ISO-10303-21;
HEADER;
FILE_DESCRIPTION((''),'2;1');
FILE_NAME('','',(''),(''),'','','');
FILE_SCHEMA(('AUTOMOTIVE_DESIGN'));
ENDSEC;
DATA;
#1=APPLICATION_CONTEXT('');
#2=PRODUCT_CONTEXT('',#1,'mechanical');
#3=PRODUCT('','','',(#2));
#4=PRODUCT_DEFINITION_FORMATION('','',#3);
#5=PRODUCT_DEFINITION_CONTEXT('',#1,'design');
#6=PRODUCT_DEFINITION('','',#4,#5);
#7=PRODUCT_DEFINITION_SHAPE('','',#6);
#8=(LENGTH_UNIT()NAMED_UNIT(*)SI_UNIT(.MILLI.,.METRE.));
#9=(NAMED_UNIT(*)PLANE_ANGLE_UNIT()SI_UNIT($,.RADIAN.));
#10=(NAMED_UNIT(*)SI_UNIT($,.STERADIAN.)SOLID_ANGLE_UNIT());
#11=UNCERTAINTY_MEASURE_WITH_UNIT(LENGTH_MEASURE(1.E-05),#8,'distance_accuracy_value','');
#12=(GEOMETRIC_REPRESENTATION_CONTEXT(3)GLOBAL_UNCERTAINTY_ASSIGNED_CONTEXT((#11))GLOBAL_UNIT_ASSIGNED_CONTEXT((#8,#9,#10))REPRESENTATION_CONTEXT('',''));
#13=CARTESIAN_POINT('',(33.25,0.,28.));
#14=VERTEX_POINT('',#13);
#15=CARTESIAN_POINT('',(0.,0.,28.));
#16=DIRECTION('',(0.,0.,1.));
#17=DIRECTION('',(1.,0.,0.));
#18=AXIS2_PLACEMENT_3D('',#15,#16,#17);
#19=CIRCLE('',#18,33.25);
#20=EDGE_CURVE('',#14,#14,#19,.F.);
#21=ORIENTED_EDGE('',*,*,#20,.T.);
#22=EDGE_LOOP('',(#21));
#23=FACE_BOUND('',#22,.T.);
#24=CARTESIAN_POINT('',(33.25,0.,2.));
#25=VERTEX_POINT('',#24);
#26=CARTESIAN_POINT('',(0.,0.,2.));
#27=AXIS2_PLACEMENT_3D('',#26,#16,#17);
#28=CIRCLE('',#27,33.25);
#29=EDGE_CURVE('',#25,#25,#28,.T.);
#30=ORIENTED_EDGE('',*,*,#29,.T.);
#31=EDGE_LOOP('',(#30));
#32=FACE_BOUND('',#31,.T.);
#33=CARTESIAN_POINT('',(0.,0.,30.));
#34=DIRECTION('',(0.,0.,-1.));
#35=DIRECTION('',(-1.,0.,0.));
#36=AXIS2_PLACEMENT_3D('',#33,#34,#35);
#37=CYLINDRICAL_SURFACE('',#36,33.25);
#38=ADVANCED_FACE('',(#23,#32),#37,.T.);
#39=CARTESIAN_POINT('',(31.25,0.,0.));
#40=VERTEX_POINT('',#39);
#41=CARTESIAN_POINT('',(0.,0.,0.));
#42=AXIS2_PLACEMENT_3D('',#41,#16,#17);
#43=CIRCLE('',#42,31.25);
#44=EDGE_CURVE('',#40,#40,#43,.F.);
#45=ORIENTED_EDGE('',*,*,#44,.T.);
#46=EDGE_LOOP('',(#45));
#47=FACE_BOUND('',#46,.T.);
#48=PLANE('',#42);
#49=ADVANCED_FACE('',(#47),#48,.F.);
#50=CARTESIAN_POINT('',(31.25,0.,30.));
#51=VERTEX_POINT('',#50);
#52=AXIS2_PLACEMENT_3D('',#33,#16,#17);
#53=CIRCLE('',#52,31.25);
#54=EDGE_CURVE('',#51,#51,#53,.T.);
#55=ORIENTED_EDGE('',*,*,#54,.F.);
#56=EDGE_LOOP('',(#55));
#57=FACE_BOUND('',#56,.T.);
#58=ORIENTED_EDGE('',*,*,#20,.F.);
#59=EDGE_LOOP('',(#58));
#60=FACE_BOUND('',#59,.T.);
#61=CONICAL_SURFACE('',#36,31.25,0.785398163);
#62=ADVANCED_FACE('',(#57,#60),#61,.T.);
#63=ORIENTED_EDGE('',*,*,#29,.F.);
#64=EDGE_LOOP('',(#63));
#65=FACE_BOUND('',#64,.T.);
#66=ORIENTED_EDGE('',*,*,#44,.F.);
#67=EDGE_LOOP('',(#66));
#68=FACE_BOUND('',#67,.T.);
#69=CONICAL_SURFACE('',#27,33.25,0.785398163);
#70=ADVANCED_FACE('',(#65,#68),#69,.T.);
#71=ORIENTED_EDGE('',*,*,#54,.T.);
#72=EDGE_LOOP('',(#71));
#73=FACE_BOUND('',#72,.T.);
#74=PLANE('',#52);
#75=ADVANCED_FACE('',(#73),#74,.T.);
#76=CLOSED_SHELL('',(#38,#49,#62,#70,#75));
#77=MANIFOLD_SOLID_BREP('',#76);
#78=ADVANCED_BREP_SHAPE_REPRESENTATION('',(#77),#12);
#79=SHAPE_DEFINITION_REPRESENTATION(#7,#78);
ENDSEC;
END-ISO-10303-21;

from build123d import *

# Parameters (mm, degrees)
ESQUISSE1_R      = 33.25
EXTRUSION1_DEPTH = 30
CHANFREIN1_SIZE  = 2
CHANFREIN2_SIZE  = 2


with BuildPart() as part:
    # Esquisse1 → Extrusion1 (new body)
    with BuildSketch(Plane.XY):
        Circle(ESQUISSE1_R)
    extrude(amount=EXTRUSION1_DEPTH)

    # Chanfrein1
    chanfrein1_edges = [part.edges().sort_by_distance(p)[0] for p in [
        (-33.25, 0, 30),
    ]]
    chamfer(chanfrein1_edges, length=CHANFREIN1_SIZE)

    # Chanfrein2
    chanfrein2_edges = [part.edges().sort_by_distance(p)[0] for p in [
        (-33.25, 0, 0),
    ]]
    chamfer(chanfrein2_edges, length=CHANFREIN2_SIZE)


solid = part.part
